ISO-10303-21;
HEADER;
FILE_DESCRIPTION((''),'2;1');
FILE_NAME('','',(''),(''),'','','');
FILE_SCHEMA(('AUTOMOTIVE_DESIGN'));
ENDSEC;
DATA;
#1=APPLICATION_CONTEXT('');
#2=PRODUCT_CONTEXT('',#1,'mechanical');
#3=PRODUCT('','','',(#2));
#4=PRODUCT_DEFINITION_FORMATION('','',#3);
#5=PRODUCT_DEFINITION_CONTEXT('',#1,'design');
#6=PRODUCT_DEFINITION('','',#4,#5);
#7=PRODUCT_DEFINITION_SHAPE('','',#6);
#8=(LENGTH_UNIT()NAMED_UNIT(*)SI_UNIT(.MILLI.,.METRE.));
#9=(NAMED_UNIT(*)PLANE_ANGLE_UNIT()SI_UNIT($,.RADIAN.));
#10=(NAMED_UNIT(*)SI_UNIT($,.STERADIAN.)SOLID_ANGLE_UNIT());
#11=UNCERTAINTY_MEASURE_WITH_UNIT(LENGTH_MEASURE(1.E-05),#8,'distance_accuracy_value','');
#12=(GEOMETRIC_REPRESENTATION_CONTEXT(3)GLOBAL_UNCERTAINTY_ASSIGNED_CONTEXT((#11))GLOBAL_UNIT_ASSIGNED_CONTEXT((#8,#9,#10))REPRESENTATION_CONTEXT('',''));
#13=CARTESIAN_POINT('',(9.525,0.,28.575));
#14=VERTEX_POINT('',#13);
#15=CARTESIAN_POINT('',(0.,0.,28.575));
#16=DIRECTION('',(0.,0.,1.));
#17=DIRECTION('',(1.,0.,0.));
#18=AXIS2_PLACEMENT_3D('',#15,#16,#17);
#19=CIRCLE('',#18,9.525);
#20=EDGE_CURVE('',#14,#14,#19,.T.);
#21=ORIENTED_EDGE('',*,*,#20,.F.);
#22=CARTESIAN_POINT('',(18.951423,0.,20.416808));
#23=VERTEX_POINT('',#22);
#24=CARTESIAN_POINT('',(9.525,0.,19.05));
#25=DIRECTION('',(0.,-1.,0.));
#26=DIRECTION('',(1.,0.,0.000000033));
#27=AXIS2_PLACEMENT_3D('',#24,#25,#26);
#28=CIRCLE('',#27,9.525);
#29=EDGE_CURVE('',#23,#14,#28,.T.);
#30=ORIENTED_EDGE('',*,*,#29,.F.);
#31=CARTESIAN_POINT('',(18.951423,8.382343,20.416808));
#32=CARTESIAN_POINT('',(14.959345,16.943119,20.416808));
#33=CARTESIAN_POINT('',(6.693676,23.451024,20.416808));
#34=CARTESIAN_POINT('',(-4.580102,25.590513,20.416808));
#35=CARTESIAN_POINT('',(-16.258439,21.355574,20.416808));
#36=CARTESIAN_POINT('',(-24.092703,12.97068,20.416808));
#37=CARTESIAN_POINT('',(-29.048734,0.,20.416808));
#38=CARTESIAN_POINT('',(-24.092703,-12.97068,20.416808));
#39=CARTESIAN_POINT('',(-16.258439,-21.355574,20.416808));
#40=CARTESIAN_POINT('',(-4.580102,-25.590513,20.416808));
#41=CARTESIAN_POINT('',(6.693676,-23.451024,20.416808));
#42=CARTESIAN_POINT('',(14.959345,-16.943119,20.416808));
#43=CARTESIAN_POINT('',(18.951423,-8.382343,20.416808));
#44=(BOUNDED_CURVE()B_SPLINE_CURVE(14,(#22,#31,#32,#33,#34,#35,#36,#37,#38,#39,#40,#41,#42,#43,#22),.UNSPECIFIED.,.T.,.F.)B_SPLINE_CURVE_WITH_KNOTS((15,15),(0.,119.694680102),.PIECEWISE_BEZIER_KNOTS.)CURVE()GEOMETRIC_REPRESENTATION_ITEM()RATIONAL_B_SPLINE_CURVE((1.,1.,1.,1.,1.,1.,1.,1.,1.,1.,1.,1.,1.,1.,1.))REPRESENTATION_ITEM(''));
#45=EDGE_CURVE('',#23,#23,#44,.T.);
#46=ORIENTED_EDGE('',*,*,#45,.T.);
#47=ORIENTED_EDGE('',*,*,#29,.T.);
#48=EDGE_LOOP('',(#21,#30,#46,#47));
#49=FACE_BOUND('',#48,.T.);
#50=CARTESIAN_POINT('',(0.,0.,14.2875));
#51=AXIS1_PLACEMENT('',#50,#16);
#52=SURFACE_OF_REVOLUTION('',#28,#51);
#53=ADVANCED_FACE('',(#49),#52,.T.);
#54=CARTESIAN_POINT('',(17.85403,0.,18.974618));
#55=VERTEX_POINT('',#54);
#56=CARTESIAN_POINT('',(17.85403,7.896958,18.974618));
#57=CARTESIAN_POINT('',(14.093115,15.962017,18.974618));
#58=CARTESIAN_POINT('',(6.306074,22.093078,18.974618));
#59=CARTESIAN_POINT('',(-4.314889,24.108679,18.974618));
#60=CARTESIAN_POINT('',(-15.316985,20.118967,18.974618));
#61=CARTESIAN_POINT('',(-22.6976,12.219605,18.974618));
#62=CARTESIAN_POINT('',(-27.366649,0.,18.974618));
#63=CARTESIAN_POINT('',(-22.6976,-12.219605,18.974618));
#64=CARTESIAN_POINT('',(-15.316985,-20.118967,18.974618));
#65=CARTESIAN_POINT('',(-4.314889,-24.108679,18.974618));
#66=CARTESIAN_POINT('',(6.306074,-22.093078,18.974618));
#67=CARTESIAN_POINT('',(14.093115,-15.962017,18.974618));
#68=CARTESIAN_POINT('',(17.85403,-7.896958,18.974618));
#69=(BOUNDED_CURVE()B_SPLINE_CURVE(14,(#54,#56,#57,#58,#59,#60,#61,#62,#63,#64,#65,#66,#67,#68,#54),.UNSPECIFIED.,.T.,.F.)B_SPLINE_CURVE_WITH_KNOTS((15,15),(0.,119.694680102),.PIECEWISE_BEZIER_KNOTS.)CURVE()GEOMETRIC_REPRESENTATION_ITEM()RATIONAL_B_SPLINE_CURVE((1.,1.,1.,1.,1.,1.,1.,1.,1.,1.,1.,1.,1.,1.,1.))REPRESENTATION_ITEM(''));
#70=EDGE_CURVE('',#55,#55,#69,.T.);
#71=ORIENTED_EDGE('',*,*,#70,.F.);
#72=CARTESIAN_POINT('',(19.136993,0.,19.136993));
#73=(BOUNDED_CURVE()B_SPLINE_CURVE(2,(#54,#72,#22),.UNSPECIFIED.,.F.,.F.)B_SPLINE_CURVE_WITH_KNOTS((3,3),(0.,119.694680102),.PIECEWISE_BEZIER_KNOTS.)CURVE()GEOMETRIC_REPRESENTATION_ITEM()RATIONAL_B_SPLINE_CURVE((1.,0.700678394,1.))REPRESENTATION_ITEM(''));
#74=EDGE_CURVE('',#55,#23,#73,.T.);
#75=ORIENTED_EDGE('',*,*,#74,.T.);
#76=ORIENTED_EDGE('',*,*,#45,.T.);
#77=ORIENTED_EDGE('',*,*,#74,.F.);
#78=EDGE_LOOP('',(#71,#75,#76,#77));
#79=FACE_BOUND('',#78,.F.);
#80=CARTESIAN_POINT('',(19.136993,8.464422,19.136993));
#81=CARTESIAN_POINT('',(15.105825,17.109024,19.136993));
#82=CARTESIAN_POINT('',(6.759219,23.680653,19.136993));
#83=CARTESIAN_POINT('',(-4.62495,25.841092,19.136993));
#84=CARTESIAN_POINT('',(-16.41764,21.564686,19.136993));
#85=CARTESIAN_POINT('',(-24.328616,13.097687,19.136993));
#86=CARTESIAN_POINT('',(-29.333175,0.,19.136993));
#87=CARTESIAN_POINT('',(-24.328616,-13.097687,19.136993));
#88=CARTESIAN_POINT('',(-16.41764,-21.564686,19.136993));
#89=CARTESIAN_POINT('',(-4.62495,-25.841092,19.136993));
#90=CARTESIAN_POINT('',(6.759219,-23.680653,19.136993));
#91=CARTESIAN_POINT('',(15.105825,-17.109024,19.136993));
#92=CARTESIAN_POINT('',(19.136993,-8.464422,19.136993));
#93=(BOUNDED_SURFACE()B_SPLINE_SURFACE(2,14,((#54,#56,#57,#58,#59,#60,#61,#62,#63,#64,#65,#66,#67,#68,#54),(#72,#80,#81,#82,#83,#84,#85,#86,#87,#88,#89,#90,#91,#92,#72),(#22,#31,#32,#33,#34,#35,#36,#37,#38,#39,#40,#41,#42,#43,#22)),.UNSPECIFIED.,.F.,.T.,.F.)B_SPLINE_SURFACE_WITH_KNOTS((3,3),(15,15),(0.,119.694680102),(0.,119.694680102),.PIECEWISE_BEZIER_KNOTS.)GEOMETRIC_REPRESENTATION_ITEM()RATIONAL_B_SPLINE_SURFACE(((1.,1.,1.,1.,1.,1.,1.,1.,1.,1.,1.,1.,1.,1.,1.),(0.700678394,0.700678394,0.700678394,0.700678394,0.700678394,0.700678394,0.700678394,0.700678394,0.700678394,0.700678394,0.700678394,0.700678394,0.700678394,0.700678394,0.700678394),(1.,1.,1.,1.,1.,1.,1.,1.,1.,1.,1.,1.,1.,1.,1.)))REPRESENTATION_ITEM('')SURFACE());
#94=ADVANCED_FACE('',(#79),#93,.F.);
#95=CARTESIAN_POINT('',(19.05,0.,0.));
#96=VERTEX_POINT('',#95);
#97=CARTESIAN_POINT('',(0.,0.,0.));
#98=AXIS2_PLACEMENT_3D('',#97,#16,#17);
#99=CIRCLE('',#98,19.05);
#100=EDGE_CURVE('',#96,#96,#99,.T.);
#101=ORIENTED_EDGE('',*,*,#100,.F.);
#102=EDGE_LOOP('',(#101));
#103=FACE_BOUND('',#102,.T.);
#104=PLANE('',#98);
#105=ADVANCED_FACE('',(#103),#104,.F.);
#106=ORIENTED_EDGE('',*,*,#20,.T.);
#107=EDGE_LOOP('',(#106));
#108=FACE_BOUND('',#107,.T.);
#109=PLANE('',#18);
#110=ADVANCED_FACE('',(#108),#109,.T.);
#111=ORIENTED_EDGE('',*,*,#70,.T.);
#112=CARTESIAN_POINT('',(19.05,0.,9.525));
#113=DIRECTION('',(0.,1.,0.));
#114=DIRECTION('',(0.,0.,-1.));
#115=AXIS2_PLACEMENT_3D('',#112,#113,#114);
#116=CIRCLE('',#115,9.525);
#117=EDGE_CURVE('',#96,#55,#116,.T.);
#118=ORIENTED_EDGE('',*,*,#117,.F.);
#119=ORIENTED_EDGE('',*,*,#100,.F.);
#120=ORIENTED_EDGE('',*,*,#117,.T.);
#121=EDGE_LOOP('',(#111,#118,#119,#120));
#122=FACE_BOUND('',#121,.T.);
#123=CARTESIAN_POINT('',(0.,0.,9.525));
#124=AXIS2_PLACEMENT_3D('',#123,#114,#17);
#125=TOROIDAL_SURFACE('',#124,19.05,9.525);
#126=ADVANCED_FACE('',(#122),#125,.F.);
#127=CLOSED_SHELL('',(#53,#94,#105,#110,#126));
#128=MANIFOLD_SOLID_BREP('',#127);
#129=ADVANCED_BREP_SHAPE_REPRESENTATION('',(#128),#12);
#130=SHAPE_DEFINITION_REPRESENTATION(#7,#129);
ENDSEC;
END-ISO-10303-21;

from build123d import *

# Parameters (mm, degrees)
F2_R = 1.27


with BuildPart() as f1:
    # F0 (on Front) → F1 (revolve)
    with BuildSketch(Plane.XZ):
        with BuildLine():
            Line((0, 28.575), (0, 0))
            Line((0, 0), (19.05, 0))
            ThreePointArc((19.05, 0), (9.525, 9.525), (19.05, 19.05))
            ThreePointArc((19.05, 19.05), (16.260192, 25.785192), (9.525, 28.575))
            Line((9.525, 28.575), (0, 28.575))
        make_face()
    revolve(axis=Axis((0, 0, 14.2875), (0, 0, 1)))

    # F2
    f2_edges = [f1.edges().sort_by_distance(p)[0] for p in [
        (-19.05, 0, 19.05),
    ]]
    fillet(f2_edges, radius=F2_R)


solid = f1.part
